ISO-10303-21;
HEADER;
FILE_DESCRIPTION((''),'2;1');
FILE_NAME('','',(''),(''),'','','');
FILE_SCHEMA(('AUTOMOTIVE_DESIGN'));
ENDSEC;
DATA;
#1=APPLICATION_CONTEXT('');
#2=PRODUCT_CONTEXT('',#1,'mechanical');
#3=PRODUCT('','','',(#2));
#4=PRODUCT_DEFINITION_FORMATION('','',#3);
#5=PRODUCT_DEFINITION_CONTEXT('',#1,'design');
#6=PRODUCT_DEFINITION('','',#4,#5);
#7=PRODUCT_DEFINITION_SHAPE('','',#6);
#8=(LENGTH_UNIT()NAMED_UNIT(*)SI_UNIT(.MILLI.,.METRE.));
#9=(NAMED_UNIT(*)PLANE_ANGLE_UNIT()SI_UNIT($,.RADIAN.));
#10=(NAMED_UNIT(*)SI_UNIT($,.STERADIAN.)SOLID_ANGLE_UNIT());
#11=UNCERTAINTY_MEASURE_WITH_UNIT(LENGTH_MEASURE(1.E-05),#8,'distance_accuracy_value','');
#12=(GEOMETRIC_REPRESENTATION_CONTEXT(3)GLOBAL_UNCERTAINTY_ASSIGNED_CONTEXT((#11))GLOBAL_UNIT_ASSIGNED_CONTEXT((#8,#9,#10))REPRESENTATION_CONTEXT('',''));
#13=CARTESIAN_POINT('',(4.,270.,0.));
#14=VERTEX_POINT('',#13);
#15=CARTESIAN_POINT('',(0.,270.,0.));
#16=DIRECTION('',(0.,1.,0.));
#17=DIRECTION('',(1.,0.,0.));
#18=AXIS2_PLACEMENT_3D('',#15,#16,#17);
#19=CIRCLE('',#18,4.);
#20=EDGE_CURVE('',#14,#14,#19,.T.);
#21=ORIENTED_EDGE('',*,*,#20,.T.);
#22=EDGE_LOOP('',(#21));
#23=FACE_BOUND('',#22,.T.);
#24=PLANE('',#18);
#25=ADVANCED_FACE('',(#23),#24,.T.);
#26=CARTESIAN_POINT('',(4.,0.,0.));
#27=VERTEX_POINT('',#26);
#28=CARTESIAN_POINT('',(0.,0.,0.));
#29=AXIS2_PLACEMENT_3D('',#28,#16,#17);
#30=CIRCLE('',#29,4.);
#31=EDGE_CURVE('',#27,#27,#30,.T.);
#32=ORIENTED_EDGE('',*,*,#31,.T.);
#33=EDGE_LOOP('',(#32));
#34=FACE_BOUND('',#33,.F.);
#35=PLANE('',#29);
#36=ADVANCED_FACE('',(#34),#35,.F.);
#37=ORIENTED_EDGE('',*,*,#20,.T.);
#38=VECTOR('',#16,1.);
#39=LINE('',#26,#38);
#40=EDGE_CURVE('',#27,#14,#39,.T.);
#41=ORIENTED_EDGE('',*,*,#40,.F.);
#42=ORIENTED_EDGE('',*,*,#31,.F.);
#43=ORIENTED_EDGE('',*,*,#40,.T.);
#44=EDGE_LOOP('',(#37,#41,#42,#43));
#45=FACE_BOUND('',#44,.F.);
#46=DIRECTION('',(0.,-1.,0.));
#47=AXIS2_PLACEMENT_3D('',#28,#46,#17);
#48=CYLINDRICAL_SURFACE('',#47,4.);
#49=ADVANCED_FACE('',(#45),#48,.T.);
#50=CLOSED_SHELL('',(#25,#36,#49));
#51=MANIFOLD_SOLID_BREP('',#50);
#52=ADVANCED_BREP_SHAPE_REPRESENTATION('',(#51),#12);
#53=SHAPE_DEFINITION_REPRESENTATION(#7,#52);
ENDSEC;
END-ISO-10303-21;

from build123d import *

# Parameters (mm, degrees)
SKETCH1_R           = 4
BOSS_EXTRUDE1_DEPTH = 270


with BuildPart() as part:
    # Sketch1 → Boss-Extrude1 (new body)
    with BuildSketch(Plane(origin=(0, 0, 0), x_dir=(1, 0, 0), z_dir=(0, 1, 0))):
        Circle(SKETCH1_R)
    extrude(amount=BOSS_EXTRUDE1_DEPTH)


solid = part.part
